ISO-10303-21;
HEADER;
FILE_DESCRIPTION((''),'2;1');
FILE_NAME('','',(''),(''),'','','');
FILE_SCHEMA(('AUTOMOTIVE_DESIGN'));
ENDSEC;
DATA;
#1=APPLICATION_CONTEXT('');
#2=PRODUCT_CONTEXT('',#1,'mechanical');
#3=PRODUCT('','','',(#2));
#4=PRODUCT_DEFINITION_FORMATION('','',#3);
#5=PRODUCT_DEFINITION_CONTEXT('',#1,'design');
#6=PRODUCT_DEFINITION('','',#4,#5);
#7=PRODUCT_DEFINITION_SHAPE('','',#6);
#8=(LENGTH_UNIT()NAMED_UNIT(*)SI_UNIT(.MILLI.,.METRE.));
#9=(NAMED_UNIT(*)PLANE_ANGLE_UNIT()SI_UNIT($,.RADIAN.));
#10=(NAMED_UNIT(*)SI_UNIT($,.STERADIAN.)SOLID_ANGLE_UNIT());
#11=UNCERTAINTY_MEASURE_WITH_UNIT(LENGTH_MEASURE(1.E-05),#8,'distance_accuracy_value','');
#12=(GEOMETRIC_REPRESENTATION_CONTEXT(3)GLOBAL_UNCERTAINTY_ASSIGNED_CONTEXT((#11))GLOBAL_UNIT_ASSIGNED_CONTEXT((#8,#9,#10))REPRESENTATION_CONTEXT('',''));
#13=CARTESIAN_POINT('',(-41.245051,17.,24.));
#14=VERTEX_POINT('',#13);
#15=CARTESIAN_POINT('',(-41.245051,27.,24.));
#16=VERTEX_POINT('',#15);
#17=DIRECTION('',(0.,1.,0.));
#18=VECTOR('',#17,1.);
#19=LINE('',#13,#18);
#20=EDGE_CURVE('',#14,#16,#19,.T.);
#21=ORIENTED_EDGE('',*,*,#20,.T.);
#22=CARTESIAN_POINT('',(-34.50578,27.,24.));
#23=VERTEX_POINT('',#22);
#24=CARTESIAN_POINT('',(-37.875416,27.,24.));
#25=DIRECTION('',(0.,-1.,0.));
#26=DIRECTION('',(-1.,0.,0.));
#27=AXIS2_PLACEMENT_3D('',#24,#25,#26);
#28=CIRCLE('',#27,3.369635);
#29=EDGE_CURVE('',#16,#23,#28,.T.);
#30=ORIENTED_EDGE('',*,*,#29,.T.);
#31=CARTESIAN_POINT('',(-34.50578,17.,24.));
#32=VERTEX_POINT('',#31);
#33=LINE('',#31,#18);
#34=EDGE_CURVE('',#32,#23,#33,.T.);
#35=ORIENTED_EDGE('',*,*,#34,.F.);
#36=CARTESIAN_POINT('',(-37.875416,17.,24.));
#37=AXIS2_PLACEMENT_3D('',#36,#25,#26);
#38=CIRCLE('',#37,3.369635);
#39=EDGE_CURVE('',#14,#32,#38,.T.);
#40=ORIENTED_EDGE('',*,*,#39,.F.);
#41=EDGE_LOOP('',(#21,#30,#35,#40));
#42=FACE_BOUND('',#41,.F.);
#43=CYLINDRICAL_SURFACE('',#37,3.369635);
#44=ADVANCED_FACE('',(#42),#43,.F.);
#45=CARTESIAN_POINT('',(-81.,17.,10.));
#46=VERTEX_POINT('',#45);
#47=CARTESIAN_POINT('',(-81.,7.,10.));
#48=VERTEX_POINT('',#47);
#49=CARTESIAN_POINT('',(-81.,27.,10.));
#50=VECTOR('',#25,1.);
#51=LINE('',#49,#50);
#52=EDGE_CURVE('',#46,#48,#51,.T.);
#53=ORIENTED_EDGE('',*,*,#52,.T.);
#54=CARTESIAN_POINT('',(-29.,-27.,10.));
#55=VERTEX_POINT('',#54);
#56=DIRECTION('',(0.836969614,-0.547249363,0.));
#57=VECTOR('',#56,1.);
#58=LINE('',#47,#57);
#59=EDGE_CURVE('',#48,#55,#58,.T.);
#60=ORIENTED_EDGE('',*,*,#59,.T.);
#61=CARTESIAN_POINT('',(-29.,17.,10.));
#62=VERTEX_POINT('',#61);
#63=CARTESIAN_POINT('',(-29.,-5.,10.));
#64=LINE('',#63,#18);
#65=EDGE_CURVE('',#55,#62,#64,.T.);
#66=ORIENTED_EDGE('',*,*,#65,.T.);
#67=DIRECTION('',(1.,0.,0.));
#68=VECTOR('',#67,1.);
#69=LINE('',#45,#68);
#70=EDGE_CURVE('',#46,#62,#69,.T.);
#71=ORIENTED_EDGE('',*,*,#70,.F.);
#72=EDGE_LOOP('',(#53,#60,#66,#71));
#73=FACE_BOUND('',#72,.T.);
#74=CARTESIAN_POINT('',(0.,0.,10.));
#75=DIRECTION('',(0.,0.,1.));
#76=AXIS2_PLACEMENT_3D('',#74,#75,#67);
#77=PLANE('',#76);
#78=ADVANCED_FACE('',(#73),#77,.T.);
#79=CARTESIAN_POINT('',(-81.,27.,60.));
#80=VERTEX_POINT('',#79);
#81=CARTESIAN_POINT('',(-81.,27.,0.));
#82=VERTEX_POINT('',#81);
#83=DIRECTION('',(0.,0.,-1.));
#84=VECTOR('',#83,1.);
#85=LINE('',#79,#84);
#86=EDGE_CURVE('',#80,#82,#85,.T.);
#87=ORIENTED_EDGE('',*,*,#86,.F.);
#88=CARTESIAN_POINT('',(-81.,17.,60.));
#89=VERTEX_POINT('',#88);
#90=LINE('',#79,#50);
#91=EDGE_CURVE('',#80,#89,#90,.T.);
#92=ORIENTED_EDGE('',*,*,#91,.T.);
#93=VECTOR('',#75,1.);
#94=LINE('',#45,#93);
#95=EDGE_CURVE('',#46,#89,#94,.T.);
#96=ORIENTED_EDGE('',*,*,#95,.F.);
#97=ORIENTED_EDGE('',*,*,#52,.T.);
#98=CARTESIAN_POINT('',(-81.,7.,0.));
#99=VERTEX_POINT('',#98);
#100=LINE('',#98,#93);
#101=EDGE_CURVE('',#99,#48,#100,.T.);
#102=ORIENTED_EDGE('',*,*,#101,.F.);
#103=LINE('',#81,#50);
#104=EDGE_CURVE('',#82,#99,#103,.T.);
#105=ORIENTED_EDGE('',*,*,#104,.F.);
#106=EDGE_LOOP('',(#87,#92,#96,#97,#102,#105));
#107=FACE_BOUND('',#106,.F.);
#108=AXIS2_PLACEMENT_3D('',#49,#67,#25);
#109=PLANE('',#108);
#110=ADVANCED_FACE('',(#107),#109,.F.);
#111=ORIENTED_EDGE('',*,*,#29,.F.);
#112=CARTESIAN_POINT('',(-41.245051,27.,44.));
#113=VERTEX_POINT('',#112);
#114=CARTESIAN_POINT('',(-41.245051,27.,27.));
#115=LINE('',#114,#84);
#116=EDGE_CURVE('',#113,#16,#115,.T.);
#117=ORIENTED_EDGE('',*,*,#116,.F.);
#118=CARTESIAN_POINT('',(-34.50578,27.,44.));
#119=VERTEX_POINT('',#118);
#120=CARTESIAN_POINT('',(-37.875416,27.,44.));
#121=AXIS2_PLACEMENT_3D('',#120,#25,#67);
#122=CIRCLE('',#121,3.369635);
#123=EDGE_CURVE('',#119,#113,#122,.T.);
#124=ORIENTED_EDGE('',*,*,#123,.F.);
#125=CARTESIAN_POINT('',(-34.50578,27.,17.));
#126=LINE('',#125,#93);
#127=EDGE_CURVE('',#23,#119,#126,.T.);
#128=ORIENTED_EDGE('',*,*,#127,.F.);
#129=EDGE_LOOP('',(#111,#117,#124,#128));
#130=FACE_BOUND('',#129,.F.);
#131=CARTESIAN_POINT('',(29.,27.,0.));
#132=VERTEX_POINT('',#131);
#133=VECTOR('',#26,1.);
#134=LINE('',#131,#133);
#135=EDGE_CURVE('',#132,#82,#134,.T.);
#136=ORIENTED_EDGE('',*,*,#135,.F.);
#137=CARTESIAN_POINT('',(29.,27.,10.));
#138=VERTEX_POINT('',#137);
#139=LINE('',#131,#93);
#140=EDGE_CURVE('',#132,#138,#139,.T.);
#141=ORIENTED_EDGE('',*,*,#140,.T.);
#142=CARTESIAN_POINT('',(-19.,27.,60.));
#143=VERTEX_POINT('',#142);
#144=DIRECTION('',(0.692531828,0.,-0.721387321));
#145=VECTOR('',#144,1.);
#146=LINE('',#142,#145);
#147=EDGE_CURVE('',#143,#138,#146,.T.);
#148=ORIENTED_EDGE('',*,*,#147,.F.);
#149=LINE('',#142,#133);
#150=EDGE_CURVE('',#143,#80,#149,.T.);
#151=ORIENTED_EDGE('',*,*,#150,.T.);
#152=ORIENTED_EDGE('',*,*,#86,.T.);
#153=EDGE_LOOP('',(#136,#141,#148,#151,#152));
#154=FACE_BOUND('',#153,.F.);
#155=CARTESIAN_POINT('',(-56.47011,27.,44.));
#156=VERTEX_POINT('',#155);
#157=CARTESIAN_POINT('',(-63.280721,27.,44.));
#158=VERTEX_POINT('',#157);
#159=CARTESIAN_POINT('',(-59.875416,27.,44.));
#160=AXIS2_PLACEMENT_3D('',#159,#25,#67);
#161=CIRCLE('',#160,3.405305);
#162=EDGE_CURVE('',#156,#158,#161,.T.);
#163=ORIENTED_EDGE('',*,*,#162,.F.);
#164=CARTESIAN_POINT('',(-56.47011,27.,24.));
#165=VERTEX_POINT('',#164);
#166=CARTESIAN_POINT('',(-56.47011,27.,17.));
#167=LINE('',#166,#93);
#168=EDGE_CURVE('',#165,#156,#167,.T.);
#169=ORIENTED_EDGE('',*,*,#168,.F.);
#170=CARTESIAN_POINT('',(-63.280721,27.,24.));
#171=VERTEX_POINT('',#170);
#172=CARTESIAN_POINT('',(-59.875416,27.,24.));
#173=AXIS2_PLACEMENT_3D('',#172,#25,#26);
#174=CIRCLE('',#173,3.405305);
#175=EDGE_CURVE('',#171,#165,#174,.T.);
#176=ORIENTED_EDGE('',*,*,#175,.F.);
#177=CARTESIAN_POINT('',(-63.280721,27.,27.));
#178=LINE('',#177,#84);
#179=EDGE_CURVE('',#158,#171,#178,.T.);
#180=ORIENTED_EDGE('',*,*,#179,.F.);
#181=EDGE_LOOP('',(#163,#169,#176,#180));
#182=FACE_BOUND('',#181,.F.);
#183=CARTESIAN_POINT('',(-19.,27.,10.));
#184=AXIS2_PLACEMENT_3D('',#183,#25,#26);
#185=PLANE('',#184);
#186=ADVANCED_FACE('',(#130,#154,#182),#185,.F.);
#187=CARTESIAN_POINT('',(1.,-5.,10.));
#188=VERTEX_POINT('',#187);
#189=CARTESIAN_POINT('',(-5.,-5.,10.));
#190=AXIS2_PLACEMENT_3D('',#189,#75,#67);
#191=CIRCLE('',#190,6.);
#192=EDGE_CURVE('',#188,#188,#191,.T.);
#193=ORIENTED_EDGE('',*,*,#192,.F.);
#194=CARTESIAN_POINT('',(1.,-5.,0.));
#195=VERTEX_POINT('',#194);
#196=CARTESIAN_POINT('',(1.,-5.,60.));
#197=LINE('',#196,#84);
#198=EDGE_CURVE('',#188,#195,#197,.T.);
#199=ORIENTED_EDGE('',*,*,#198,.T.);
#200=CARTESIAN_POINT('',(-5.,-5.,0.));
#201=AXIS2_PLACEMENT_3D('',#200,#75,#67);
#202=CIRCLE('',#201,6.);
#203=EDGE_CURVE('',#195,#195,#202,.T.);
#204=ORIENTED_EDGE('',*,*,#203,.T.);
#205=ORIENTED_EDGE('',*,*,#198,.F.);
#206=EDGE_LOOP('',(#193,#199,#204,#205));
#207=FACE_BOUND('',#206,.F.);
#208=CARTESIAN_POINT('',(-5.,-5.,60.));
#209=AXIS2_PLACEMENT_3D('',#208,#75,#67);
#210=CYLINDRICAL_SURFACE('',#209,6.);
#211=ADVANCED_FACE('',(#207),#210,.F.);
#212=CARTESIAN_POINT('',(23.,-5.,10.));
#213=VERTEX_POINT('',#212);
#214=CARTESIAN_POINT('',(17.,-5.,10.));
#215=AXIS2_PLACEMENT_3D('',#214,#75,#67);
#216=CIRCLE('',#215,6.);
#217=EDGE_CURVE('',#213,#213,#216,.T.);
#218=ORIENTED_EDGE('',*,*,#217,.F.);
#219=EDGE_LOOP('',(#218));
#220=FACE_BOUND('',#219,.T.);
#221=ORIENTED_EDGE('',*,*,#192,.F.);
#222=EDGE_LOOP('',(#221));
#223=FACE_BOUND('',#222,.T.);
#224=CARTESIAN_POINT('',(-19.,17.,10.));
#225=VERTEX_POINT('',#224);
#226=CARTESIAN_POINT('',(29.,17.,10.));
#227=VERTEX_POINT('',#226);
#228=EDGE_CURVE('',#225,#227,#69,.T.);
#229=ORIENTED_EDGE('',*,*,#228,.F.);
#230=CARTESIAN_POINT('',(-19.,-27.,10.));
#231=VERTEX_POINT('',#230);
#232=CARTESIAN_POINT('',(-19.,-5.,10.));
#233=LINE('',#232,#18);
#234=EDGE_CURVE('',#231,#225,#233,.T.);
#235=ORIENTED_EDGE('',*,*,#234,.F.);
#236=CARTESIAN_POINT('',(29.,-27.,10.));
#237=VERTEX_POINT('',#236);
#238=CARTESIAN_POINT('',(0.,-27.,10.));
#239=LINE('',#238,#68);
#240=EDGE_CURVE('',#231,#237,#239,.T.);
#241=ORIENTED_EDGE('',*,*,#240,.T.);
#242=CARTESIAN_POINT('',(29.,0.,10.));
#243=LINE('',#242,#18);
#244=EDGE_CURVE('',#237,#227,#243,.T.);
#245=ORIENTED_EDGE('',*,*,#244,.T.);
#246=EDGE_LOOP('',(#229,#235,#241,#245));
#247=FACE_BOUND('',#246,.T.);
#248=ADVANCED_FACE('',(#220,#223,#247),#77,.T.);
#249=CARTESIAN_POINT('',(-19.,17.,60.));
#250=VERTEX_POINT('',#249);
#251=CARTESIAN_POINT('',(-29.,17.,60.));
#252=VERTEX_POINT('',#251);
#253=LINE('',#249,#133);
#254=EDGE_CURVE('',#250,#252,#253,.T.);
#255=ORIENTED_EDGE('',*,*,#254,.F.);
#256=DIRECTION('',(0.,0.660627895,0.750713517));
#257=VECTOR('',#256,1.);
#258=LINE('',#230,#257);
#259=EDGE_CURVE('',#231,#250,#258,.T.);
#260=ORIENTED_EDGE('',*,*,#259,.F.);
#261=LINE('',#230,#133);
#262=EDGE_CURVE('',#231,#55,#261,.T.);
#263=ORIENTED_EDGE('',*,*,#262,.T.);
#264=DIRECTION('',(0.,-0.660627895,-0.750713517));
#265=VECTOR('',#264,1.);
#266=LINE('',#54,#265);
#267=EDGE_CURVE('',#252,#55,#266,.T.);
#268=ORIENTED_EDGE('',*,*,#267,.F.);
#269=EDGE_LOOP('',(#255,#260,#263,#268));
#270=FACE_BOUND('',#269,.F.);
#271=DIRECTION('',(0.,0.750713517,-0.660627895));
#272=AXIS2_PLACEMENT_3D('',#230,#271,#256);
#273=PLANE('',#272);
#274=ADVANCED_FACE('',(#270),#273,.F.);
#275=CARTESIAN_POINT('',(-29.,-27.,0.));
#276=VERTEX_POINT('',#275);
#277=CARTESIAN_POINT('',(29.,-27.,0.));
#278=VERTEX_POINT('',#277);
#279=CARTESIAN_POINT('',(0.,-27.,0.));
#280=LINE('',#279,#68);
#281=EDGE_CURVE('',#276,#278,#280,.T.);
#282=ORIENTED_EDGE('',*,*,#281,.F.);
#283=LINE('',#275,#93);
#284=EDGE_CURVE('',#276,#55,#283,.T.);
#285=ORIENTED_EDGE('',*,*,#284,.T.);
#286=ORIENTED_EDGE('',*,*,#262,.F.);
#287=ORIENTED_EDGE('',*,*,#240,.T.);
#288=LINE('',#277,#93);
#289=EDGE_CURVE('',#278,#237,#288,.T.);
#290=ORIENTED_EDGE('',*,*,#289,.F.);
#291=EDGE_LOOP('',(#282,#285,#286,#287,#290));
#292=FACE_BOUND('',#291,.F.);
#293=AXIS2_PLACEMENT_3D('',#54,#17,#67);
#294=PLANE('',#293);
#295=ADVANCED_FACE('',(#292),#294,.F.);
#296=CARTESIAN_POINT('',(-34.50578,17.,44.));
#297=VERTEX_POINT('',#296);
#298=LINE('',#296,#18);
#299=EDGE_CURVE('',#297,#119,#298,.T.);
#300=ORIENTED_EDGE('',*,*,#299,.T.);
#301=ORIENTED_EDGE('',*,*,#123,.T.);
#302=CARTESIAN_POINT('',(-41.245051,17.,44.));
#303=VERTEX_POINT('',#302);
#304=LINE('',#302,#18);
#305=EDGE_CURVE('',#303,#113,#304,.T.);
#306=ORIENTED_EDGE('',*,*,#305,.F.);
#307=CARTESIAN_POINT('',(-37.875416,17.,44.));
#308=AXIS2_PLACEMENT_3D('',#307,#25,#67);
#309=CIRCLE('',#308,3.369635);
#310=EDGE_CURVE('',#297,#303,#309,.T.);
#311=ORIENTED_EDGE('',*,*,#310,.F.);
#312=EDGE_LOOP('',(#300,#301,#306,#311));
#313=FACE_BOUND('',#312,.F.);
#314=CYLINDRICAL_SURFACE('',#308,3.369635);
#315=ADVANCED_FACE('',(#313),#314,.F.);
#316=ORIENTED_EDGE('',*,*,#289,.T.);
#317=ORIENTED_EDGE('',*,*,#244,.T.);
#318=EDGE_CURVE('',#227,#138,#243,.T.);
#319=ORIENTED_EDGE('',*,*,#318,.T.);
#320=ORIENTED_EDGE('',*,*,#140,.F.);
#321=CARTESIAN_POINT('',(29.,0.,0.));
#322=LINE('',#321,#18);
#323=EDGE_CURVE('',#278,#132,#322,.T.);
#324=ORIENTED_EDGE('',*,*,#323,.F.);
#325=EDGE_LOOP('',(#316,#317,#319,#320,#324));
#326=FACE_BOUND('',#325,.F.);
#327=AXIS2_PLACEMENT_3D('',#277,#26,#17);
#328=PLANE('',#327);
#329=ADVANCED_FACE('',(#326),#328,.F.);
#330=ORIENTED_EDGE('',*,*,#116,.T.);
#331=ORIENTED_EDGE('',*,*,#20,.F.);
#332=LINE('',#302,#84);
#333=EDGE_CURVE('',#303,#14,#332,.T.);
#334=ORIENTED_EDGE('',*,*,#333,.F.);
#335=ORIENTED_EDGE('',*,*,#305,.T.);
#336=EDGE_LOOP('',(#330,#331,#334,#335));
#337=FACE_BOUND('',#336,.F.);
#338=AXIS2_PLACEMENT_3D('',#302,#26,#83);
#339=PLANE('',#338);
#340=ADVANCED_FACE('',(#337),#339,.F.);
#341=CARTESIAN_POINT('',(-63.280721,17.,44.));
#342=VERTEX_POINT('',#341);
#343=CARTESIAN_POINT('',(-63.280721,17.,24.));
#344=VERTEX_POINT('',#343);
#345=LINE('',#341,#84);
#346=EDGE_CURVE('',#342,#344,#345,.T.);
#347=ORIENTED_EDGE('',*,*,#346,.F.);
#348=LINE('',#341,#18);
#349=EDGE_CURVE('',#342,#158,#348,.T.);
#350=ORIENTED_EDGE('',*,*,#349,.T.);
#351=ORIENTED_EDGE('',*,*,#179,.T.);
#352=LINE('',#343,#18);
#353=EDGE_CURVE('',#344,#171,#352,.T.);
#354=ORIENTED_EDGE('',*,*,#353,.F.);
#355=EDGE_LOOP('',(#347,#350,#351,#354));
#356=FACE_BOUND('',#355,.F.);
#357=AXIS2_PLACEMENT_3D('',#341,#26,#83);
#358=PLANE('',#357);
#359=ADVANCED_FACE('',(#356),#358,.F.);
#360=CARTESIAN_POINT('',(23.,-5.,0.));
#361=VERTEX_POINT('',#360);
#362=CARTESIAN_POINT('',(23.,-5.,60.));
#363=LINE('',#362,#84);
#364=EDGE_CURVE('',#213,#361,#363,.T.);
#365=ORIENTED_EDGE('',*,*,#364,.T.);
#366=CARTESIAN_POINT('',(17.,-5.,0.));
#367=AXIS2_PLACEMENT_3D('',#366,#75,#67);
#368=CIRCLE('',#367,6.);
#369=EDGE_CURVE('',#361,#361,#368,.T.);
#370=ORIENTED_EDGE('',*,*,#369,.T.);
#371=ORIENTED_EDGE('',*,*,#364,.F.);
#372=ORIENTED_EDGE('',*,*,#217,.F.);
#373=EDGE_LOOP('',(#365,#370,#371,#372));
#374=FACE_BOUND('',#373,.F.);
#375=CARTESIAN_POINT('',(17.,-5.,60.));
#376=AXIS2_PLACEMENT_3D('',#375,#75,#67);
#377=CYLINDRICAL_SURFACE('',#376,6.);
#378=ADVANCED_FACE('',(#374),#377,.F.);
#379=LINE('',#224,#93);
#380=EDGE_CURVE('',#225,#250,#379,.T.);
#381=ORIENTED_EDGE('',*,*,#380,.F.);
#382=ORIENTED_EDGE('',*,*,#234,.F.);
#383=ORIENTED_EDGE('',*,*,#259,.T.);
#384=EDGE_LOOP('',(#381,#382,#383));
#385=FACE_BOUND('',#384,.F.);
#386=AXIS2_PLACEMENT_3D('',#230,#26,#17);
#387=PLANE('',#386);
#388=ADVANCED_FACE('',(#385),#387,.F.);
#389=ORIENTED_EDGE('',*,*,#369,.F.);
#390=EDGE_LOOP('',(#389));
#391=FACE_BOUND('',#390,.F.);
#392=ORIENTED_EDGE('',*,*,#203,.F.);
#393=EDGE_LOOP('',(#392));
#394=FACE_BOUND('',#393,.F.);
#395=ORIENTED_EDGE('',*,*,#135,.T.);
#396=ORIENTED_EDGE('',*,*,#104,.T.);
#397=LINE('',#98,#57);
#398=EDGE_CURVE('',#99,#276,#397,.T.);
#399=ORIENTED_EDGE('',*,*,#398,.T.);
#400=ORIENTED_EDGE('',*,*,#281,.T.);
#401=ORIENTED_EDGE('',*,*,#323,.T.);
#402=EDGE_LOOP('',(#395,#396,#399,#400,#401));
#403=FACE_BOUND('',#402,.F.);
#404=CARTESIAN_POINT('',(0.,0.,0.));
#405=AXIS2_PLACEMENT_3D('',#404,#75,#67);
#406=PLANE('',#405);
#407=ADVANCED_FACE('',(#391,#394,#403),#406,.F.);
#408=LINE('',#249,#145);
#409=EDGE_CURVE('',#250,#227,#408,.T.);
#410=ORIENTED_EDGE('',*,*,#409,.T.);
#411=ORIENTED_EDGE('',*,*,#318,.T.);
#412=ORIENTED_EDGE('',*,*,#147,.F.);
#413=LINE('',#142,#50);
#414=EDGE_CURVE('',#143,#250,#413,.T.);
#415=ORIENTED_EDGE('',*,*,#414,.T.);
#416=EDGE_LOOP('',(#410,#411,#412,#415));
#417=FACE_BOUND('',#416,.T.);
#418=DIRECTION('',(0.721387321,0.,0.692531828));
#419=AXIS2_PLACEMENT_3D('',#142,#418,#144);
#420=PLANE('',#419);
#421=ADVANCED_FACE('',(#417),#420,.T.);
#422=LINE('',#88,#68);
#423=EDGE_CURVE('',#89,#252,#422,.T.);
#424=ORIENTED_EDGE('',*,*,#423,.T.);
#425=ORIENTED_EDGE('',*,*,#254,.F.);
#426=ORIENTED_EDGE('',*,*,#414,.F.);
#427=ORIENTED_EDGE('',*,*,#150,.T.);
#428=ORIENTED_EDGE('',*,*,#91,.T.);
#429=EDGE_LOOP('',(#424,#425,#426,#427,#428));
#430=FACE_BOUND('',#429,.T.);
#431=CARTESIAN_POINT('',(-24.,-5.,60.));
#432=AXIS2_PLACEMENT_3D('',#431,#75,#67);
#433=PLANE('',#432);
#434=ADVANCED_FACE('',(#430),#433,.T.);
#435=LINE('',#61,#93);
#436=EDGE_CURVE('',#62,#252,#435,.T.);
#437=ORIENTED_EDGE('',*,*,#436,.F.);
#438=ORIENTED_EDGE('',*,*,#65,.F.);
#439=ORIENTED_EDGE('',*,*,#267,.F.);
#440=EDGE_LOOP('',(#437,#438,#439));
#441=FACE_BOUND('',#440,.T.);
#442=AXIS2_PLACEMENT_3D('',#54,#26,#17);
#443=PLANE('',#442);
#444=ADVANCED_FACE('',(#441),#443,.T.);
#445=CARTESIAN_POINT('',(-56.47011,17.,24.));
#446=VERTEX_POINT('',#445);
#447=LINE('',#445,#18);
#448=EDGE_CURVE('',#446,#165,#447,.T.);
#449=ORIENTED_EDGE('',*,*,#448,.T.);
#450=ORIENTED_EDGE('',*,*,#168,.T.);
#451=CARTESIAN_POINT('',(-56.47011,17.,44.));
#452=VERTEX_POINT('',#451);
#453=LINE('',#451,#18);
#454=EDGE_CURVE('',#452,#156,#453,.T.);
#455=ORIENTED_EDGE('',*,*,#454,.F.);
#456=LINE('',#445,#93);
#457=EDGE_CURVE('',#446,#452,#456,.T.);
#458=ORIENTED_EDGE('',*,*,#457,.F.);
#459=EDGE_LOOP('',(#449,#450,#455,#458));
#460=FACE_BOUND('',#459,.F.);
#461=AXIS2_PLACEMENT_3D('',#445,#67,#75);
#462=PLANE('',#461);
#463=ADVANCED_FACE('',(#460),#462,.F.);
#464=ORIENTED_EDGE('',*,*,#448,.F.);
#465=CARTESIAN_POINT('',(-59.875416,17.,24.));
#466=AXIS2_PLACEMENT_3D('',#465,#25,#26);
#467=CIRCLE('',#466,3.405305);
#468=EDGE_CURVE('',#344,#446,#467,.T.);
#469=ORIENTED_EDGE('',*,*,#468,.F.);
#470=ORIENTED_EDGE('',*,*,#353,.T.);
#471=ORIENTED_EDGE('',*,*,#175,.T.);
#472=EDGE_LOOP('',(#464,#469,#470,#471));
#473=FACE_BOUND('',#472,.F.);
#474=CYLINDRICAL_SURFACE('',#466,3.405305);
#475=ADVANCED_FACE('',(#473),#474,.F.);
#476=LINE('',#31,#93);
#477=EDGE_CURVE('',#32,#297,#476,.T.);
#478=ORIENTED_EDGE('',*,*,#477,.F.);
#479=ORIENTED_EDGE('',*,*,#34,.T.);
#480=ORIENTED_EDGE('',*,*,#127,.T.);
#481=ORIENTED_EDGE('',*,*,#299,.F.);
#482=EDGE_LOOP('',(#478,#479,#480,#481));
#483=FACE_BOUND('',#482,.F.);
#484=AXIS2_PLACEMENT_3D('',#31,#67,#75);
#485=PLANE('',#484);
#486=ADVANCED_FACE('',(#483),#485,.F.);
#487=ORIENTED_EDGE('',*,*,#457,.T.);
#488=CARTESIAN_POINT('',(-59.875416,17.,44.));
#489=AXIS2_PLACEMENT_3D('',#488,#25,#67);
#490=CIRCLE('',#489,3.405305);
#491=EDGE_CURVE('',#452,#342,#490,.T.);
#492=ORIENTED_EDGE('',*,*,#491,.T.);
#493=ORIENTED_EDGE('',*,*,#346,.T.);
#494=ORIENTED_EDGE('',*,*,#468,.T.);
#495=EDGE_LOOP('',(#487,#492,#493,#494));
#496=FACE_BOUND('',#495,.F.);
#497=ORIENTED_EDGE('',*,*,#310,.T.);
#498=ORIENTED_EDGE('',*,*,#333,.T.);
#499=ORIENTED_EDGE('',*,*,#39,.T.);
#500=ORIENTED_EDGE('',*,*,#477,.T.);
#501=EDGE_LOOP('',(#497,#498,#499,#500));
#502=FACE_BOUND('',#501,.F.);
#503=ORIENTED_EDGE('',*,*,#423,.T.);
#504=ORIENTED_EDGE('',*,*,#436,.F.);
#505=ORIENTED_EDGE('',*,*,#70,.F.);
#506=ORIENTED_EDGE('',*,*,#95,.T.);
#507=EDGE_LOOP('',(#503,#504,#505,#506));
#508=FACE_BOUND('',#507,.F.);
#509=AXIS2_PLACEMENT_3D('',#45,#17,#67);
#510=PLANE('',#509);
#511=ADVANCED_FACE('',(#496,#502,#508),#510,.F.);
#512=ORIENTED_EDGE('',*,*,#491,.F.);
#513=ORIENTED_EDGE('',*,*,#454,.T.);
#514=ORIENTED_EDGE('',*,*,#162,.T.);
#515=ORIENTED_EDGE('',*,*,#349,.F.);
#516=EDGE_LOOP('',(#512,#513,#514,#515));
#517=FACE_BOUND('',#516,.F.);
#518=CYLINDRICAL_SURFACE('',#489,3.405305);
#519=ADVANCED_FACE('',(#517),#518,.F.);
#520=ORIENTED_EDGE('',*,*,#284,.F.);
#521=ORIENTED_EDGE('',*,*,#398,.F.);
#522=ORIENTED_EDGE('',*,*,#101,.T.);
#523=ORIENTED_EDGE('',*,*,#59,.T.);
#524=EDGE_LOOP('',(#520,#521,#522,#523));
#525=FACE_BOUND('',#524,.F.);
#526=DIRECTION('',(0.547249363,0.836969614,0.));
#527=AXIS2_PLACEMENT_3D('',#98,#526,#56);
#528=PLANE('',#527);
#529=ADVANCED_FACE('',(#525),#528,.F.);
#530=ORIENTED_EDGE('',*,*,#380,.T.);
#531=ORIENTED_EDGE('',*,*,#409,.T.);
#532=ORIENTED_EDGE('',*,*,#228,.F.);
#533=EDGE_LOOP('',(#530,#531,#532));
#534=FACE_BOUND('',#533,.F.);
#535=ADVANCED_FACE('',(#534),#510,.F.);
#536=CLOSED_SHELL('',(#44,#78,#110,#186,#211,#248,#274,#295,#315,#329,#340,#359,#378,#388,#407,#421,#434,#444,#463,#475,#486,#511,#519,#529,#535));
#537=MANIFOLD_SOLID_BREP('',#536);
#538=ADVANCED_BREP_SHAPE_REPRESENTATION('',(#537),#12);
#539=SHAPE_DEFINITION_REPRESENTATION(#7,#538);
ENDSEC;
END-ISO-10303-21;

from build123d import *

# Parameters (mm, degrees)
F0_W      = 58
F0_H      = 54
F1_DEPTH  = 10
F3_DEPTH  = 10
F5_DEPTH  = 50
F4_R      = 6
F4_W      = 10
F4_H      = 44
F7_DEPTH  = 50
F9_DEPTH  = 62.001
F10_DEPTH = 60.001
F11_DEPTH = 10.001


with BuildPart() as f1:
    # F0 (on Top) → F1 (new body)
    with BuildSketch(Plane.XY):
        Rectangle(F0_W, F0_H)
        Polygon((-29, -27), (-29, 27), (-81, 27), (-81, 7), align=None)
    extrude(amount=F1_DEPTH)

    # F2 (on face) → F3 (join)
    with BuildSketch(Plane(origin=(0, 27, 0), x_dir=(-1, 0, 0), z_dir=(0, 1, 0))):
        Polygon((19, 60), (-29, 10), (19, 10), align=None)
    extrude(amount=-F3_DEPTH)

    # F4 (on face) → F5 (join)
    with BuildSketch(Plane.XY.offset(10)):
        Polygon((-81, 27), (-81, 17), (-29, 17), (-19, 17), (-19, 27), align=None)
    extrude(amount=F5_DEPTH)

    # F4 (on face) → F7 (join)
    with BuildSketch(Plane.XY.offset(10)):
        with Locations((17, -5)):
            Circle(F4_R)
        with Locations((-5, -5)):
            Circle(F4_R)
        with Locations((-24, -5)):
            Rectangle(F4_W, F4_H)
    extrude(amount=F7_DEPTH)

    # F8 (on face) → F9 (cut, through all)
    with BuildSketch(Plane.YZ.offset(-19)):
        Polygon((-27, 60), (-27, 10), (17, 60), align=None)
    extrude(amount=-F9_DEPTH, mode=Mode.SUBTRACT)

    # F10 (cut, through all): faces of the model
    f10_faces = [f1.faces().sort_by_distance(p)[0] for p in [
        (-5, -5, 60),
        (17, -5, 60),
    ]]
    extrude(f10_faces, amount=-F10_DEPTH, mode=Mode.SUBTRACT)

    # F6 (on face) → F11 (cut, through all)
    with BuildSketch(Plane.XZ.offset(-17)):
        with BuildLine():
            ThreePointArc((-56.470110421, 44), (-59.8754155453, 47.4053051244), (-63.2807206697, 44))
            Line((-63.2807206697, 44), (-63.2807206697, 24))
            ThreePointArc((-63.2807206697, 24), (-59.8754155453, 20.5946948756), (-56.470110421, 24))
            Line((-56.470110421, 24), (-56.470110421, 44))
        make_face()
        with BuildLine():
            ThreePointArc((-34.5057800598, 44), (-37.8754155453, 47.3696354855), (-41.2450510308, 44))
            Line((-41.2450510308, 44), (-41.2450510308, 24))
            ThreePointArc((-41.2450510308, 24), (-37.8754155453, 20.6303645145), (-34.5057800598, 24))
            Line((-34.5057800598, 24), (-34.5057800598, 44))
        make_face()
    extrude(amount=-F11_DEPTH, mode=Mode.SUBTRACT)


solid = f1.part
